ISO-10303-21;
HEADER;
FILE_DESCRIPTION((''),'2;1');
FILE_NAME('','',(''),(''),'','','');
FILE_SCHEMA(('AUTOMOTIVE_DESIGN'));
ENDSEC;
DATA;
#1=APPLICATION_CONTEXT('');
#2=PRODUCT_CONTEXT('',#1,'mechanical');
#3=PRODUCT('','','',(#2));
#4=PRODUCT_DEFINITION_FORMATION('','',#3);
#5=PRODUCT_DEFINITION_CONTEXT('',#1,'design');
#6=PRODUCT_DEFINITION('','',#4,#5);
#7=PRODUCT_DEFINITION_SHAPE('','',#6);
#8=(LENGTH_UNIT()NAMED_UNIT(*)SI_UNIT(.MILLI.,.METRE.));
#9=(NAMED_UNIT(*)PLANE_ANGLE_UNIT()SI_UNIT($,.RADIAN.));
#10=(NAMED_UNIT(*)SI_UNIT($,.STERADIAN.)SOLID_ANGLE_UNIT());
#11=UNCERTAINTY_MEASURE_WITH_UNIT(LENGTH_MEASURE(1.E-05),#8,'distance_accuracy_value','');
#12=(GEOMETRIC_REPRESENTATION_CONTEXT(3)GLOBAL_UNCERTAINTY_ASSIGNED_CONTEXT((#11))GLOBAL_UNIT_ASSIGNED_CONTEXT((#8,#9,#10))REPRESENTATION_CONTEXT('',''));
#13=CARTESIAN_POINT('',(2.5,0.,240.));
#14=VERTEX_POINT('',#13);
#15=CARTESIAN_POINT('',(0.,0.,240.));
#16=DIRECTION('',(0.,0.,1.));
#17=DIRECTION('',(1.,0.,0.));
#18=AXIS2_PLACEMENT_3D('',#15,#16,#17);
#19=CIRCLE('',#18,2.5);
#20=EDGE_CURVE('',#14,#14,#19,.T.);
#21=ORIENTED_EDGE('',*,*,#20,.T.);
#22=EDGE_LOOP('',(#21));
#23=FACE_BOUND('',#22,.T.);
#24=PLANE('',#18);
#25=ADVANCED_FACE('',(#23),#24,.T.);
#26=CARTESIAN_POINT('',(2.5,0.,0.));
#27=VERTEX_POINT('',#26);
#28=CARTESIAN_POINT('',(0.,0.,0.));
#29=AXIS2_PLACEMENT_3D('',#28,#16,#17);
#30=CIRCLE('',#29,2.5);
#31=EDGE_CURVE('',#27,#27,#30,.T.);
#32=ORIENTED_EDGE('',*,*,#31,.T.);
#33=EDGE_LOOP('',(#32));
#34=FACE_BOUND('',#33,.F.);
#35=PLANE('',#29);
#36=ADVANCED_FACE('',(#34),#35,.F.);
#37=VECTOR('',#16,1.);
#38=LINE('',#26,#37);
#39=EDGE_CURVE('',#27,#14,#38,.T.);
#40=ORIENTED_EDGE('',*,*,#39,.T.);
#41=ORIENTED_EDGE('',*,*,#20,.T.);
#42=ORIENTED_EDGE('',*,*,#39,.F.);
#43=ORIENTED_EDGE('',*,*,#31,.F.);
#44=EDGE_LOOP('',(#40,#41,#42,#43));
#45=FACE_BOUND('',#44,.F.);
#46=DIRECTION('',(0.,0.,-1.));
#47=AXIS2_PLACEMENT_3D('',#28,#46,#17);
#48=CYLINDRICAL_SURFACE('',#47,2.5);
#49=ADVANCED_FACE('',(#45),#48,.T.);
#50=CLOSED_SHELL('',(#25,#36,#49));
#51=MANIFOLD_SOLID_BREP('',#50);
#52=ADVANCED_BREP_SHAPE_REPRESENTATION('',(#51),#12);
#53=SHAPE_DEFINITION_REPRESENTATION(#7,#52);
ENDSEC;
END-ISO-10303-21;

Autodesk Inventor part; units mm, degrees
ref_plane "YZ Plane" through (0, 0, 0) normal (1, 0, 0) x (0, 1, 0)
ref_plane "XZ Plane" through (0, 0, 0) normal (0, 1, 0) x (-1, 0, 0)
ref_plane "XY Plane" through (0, 0, 0) normal (0, 0, 1) x (1, 0, 0)
sketch "スケッチ1" plane through (0, 0, 0) normal (0, 0, 1) x (1, 0, 0)
  circle A0 centre (0, 0) radius 2.5
  dimension "d0" = 5
extrude "押し出し1" add sketch "スケッチ1" along normal blind 240
properties part number "arm_shaft" material "ステンレス鋼"
